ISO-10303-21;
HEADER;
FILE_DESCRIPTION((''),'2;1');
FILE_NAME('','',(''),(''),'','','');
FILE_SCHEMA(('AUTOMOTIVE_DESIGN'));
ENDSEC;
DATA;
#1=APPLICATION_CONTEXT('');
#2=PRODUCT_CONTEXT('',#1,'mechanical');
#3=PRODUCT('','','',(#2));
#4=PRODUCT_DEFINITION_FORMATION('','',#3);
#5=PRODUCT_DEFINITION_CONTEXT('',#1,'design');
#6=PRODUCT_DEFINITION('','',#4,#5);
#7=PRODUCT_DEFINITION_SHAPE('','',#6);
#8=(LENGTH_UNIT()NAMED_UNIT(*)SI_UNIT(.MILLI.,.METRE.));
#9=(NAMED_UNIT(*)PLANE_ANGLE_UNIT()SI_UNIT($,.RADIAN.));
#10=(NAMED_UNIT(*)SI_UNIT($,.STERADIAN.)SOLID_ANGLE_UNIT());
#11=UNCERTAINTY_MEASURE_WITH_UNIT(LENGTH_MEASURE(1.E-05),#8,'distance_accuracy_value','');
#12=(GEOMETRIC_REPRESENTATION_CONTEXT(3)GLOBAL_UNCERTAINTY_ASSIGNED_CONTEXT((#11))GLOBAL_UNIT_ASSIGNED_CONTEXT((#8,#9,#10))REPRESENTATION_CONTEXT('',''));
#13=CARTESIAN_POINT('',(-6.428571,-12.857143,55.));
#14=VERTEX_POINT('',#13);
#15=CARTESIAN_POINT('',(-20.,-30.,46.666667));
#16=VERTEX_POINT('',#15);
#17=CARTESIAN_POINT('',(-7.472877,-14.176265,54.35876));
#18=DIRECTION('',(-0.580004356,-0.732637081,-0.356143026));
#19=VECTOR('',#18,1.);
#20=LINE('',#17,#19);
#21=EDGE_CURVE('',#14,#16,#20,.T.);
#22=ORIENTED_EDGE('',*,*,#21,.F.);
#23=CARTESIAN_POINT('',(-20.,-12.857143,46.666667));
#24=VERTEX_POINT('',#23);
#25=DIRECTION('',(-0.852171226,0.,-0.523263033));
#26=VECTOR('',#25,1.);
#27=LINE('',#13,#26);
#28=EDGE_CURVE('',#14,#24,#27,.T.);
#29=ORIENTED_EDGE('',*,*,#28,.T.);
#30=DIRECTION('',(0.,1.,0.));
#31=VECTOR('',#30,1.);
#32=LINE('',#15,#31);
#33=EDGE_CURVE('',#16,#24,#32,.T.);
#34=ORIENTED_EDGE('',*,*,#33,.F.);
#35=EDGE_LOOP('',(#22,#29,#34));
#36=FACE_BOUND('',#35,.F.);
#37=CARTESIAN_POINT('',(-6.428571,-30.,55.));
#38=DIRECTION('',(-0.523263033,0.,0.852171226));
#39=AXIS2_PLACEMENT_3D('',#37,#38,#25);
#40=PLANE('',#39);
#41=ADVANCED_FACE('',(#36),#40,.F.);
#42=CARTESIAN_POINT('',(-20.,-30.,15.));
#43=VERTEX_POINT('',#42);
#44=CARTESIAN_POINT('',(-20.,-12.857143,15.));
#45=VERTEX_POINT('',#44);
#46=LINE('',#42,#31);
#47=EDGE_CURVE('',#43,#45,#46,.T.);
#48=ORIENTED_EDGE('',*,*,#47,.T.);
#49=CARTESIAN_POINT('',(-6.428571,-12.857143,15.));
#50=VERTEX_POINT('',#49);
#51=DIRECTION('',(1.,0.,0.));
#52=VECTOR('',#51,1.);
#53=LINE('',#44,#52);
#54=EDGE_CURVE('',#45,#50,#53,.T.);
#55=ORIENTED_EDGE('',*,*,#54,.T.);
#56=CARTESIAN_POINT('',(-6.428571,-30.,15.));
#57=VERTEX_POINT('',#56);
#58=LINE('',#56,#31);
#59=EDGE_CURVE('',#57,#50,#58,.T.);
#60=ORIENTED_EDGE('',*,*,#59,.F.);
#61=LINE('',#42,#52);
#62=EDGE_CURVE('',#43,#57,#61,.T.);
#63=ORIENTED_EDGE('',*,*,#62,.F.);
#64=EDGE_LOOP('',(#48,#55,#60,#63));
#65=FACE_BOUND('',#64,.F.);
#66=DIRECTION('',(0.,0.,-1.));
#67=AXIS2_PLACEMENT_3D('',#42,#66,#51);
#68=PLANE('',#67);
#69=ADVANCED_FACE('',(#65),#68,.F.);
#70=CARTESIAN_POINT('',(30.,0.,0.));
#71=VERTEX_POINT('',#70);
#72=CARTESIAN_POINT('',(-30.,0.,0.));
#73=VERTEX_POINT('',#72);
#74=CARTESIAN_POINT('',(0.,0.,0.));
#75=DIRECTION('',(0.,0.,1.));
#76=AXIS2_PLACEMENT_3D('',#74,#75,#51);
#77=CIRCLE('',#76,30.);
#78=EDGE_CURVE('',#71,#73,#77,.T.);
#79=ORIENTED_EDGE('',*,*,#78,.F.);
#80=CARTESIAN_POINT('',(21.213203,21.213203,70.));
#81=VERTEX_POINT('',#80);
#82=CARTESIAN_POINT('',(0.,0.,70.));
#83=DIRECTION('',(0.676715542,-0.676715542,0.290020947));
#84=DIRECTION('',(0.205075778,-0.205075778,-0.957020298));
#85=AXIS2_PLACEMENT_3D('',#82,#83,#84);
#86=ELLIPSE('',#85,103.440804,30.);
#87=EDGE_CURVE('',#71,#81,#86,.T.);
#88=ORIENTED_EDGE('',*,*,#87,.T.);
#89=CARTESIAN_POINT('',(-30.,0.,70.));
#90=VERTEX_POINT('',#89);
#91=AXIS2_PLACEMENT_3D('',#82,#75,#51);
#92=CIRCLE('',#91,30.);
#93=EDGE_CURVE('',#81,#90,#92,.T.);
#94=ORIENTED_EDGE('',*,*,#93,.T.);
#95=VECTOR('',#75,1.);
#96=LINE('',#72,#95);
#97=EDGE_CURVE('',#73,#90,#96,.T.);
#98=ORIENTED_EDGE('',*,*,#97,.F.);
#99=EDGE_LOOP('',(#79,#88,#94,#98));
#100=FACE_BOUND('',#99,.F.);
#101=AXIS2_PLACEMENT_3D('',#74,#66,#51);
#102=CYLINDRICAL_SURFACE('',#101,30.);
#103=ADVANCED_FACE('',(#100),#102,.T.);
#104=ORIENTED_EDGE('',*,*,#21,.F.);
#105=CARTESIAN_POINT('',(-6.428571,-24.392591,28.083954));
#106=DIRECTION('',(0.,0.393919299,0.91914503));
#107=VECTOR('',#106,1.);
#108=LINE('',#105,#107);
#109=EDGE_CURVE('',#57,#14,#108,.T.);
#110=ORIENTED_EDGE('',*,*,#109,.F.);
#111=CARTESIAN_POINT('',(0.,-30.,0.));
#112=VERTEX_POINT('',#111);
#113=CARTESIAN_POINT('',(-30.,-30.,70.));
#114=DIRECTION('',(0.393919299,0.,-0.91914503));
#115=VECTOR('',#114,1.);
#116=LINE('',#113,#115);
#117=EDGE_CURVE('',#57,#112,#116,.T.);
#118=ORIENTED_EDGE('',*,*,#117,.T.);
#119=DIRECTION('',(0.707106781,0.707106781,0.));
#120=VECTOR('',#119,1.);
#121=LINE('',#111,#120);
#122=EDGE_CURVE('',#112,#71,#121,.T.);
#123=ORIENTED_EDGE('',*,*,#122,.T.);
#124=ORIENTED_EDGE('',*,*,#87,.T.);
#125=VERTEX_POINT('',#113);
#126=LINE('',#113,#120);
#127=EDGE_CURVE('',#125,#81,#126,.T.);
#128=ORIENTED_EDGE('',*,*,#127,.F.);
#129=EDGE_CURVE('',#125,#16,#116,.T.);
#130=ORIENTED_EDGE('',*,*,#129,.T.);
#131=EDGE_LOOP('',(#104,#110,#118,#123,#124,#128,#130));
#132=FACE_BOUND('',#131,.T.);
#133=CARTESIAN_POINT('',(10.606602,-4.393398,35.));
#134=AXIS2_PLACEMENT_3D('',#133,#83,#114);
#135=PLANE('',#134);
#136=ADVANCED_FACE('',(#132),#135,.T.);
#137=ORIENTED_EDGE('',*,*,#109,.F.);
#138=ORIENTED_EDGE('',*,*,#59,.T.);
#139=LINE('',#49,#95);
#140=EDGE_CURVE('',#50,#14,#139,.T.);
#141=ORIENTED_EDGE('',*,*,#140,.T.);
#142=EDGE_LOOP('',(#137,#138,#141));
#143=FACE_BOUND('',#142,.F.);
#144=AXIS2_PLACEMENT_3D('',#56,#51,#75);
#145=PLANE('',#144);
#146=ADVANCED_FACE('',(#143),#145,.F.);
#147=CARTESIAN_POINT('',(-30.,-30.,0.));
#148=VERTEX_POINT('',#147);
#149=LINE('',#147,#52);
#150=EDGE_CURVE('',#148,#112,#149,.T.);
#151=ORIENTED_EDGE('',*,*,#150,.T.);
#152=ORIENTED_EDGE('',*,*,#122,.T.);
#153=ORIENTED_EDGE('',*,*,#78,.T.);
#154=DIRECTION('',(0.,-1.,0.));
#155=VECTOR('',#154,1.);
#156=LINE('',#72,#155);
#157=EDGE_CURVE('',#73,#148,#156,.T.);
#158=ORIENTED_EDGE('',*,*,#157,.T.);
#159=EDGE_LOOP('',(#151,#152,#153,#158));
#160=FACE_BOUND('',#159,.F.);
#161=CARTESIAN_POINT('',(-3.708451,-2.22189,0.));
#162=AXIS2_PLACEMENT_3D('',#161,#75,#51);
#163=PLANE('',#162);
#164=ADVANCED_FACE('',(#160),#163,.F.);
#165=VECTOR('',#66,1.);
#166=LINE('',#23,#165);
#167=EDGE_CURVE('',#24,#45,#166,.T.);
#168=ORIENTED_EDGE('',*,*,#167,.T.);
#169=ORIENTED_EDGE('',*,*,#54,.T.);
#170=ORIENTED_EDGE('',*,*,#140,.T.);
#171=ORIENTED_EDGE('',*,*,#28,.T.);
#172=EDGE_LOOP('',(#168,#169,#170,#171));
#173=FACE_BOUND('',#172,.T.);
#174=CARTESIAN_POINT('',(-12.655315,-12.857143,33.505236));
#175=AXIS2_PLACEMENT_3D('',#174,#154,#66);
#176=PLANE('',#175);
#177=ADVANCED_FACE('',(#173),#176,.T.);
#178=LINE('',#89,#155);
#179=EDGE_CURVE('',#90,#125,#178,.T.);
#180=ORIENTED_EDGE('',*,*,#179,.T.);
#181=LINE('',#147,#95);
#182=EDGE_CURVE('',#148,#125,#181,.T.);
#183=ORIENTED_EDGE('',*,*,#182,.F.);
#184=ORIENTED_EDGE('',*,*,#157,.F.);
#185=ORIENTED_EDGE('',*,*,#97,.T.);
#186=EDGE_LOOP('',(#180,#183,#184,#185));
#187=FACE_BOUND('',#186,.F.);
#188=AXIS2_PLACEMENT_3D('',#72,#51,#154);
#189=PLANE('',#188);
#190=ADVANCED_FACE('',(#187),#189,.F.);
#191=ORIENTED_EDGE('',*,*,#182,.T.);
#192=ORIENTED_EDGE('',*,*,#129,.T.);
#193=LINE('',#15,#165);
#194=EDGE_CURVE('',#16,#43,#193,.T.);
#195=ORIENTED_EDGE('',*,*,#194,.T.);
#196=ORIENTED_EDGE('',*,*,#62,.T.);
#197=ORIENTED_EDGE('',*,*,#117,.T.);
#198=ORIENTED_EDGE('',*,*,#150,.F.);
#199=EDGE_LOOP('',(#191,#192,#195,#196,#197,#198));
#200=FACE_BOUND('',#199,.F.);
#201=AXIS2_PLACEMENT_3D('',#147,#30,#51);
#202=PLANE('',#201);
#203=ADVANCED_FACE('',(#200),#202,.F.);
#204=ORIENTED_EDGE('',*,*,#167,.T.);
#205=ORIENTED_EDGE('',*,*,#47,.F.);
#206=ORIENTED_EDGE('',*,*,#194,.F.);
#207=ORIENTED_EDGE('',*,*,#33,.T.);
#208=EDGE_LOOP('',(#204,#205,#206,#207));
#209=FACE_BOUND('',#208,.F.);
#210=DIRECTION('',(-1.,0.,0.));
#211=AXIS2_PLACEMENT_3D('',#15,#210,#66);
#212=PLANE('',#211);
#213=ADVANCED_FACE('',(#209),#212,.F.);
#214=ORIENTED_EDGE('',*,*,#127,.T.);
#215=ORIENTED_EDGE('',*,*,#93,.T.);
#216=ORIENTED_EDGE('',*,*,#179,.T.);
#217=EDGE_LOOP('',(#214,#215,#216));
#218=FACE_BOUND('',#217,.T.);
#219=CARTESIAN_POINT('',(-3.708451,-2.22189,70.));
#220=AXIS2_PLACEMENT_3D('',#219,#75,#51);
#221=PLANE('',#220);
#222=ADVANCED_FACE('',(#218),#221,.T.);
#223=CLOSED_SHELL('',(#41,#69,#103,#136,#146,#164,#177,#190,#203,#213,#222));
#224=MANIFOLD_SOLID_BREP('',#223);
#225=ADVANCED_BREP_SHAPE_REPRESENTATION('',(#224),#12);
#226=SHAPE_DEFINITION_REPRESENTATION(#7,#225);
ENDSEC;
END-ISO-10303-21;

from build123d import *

# Parameters (mm, degrees)
F1_DEPTH = 70
F6_DEPTH = 25


with BuildPart() as f1:
    # F0 (on Top) → F1 (new body)
    with BuildSketch(Plane.XY):
        with BuildLine():
            Line((-30, 0), (-30, -30))
            Line((-30, -30), (0, -30))
            Line((0, -30), (30, 0))
            ThreePointArc((30, 0), (0, 30), (-30, 0))
        make_face()
    extrude(amount=F1_DEPTH)

    # F4: sweep along a path in F3
    with BuildLine(Plane.XY.offset(70)) as f4_path:
        Line((-30, -30), (0, 0))
        Line((0, 0), (21.2132034356, 21.2132034356))
    # F2 (on face) → F4 (sweep, cut)
    with BuildSketch(Plane.XZ.offset(30)):
        Polygon((0, 70), (-30, 70), (0, 0), align=None)
    sweep(path=f4_path.line, mode=Mode.SUBTRACT)

    # F5 (on face) → F6 (cut)
    with BuildSketch(Plane.XZ.offset(30)):
        Polygon((-20, 46.6666666667), (-20, 15), (-6.4285714286, 15), (-6.4285714286, 55), align=None)
    extrude(amount=-F6_DEPTH, mode=Mode.SUBTRACT)

    # F7: sweep along a path in F7_path
    with BuildLine(Plane(origin=(-6.4285714286, -5, 55), x_dir=(0, 1, 0), z_dir=(-1, 0, 0))) as f7_path:
        Line((0, 0), (-7.8571428571, 0))
    # F6_face (on face) → F7 (sweep)
    with BuildSketch(Plane(origin=(-12.9512735327, -5, 32.9974160207), x_dir=(1, 0, 0), z_dir=(0, -1, 0))):
        Polygon((6.5227021041, 22.0025839793), (-7.0487264673, 13.669250646), (-7.0487264673, -17.9974160207), (6.5227021041, -17.9974160207), align=None)
    sweep(path=f7_path.line)


solid = f1.part
